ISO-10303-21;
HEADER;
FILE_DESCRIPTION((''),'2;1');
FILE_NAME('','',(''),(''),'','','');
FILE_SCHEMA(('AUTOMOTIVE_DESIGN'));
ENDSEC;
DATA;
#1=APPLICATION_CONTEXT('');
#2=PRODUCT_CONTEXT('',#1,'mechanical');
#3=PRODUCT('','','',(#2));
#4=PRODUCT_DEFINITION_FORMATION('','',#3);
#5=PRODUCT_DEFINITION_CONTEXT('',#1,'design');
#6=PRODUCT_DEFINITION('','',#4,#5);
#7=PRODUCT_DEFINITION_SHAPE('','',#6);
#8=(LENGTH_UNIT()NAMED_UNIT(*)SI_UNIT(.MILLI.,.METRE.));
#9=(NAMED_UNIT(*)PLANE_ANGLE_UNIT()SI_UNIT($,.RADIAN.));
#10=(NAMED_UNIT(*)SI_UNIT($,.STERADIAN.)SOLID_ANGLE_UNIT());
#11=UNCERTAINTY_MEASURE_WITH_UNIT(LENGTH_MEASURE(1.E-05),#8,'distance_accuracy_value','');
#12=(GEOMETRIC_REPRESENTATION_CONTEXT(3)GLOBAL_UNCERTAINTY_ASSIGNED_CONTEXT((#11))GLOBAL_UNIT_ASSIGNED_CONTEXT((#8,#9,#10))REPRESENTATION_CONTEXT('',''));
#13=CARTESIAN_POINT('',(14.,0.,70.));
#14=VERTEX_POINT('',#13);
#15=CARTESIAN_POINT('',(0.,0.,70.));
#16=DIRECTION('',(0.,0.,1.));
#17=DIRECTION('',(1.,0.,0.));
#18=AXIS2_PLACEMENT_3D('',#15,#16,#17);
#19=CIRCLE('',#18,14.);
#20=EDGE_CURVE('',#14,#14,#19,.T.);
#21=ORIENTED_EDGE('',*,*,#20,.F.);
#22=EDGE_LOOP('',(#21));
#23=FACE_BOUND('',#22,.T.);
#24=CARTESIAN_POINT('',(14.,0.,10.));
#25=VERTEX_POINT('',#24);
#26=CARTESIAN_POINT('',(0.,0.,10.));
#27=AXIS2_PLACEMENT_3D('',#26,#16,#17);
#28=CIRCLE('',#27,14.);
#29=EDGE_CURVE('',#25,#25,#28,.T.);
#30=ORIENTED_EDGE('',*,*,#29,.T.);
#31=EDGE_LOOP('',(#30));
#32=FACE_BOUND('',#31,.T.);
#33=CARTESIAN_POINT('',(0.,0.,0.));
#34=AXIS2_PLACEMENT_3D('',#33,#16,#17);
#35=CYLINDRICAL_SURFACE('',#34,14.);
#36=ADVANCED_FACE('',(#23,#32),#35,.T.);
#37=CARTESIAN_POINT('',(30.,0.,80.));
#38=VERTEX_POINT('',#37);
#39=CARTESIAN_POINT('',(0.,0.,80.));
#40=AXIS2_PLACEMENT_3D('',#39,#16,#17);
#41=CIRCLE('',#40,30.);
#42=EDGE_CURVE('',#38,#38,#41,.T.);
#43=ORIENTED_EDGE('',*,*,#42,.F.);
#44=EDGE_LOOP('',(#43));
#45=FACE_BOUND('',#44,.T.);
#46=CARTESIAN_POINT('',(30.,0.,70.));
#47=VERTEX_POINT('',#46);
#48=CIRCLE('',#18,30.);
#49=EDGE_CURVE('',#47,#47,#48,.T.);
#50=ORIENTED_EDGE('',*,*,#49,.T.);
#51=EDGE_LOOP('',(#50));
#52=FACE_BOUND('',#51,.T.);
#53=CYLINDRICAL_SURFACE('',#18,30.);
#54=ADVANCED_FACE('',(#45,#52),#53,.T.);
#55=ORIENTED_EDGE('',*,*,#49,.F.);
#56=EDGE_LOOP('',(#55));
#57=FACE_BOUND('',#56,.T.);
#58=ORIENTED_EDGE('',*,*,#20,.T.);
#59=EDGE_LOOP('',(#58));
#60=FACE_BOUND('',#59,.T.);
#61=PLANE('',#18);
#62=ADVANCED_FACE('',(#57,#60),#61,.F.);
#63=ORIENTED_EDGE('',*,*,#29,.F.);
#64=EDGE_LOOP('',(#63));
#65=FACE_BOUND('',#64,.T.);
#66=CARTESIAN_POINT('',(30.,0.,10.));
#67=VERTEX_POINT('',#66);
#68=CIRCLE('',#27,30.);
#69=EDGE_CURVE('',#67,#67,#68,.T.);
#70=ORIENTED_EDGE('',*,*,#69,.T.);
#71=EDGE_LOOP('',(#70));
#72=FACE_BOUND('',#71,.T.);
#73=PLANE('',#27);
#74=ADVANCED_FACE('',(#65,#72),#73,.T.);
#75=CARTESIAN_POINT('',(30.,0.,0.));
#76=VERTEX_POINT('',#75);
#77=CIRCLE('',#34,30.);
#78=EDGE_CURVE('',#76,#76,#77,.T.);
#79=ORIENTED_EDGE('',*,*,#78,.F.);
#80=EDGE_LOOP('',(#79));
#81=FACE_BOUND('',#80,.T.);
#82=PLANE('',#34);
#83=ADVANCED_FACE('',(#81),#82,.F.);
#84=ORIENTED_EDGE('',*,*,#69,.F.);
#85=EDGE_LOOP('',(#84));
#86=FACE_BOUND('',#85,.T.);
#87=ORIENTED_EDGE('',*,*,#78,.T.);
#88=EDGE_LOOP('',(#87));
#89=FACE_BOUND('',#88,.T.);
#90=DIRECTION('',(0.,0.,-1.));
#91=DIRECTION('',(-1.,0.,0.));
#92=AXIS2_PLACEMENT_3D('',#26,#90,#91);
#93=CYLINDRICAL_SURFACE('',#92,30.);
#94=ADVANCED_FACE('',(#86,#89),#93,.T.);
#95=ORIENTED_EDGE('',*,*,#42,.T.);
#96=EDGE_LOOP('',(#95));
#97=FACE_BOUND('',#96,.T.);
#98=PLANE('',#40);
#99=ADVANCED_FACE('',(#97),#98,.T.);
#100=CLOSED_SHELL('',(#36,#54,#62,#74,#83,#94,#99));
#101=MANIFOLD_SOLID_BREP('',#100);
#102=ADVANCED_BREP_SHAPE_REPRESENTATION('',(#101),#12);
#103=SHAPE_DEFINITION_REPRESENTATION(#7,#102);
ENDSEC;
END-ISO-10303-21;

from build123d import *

# Parameters (mm, degrees)
SKETCH_1_R           = 30
SKETCH_1_R_2         = 14
EXTRUDE_1_DEPTH      = 10
SKETCH_2_R           = 14
EXTRUDE_2_DEPTH      = 70
EXTRUDE_2_DEPTH_BACK = 10
SKETCH_3_R           = 30
SKETCH_3_R_2         = 14
EXTRUDE_3_DEPTH      = 10


with BuildPart() as part:
    # 草图1 → 凸台-拉伸1 (new body)
    with BuildSketch(Plane.XY):
        Circle(SKETCH_1_R)
        Circle(SKETCH_1_R_2, mode=Mode.SUBTRACT)
    extrude(amount=EXTRUDE_1_DEPTH)

    # 草图2 → 凸台-拉伸2 (add, two sides)
    with BuildSketch(Plane.XY.offset(10)) as extrude_2_sk:
        Circle(SKETCH_2_R)
    extrude(amount=EXTRUDE_2_DEPTH)
    extrude(extrude_2_sk.sketch, amount=-EXTRUDE_2_DEPTH_BACK)

    # 草图3 → 凸台-拉伸3 (add)
    with BuildSketch(Plane.XY.offset(80)):
        Circle(SKETCH_3_R)
        Circle(SKETCH_3_R_2, mode=Mode.SUBTRACT)
    extrude(amount=-EXTRUDE_3_DEPTH)


solid = part.part
